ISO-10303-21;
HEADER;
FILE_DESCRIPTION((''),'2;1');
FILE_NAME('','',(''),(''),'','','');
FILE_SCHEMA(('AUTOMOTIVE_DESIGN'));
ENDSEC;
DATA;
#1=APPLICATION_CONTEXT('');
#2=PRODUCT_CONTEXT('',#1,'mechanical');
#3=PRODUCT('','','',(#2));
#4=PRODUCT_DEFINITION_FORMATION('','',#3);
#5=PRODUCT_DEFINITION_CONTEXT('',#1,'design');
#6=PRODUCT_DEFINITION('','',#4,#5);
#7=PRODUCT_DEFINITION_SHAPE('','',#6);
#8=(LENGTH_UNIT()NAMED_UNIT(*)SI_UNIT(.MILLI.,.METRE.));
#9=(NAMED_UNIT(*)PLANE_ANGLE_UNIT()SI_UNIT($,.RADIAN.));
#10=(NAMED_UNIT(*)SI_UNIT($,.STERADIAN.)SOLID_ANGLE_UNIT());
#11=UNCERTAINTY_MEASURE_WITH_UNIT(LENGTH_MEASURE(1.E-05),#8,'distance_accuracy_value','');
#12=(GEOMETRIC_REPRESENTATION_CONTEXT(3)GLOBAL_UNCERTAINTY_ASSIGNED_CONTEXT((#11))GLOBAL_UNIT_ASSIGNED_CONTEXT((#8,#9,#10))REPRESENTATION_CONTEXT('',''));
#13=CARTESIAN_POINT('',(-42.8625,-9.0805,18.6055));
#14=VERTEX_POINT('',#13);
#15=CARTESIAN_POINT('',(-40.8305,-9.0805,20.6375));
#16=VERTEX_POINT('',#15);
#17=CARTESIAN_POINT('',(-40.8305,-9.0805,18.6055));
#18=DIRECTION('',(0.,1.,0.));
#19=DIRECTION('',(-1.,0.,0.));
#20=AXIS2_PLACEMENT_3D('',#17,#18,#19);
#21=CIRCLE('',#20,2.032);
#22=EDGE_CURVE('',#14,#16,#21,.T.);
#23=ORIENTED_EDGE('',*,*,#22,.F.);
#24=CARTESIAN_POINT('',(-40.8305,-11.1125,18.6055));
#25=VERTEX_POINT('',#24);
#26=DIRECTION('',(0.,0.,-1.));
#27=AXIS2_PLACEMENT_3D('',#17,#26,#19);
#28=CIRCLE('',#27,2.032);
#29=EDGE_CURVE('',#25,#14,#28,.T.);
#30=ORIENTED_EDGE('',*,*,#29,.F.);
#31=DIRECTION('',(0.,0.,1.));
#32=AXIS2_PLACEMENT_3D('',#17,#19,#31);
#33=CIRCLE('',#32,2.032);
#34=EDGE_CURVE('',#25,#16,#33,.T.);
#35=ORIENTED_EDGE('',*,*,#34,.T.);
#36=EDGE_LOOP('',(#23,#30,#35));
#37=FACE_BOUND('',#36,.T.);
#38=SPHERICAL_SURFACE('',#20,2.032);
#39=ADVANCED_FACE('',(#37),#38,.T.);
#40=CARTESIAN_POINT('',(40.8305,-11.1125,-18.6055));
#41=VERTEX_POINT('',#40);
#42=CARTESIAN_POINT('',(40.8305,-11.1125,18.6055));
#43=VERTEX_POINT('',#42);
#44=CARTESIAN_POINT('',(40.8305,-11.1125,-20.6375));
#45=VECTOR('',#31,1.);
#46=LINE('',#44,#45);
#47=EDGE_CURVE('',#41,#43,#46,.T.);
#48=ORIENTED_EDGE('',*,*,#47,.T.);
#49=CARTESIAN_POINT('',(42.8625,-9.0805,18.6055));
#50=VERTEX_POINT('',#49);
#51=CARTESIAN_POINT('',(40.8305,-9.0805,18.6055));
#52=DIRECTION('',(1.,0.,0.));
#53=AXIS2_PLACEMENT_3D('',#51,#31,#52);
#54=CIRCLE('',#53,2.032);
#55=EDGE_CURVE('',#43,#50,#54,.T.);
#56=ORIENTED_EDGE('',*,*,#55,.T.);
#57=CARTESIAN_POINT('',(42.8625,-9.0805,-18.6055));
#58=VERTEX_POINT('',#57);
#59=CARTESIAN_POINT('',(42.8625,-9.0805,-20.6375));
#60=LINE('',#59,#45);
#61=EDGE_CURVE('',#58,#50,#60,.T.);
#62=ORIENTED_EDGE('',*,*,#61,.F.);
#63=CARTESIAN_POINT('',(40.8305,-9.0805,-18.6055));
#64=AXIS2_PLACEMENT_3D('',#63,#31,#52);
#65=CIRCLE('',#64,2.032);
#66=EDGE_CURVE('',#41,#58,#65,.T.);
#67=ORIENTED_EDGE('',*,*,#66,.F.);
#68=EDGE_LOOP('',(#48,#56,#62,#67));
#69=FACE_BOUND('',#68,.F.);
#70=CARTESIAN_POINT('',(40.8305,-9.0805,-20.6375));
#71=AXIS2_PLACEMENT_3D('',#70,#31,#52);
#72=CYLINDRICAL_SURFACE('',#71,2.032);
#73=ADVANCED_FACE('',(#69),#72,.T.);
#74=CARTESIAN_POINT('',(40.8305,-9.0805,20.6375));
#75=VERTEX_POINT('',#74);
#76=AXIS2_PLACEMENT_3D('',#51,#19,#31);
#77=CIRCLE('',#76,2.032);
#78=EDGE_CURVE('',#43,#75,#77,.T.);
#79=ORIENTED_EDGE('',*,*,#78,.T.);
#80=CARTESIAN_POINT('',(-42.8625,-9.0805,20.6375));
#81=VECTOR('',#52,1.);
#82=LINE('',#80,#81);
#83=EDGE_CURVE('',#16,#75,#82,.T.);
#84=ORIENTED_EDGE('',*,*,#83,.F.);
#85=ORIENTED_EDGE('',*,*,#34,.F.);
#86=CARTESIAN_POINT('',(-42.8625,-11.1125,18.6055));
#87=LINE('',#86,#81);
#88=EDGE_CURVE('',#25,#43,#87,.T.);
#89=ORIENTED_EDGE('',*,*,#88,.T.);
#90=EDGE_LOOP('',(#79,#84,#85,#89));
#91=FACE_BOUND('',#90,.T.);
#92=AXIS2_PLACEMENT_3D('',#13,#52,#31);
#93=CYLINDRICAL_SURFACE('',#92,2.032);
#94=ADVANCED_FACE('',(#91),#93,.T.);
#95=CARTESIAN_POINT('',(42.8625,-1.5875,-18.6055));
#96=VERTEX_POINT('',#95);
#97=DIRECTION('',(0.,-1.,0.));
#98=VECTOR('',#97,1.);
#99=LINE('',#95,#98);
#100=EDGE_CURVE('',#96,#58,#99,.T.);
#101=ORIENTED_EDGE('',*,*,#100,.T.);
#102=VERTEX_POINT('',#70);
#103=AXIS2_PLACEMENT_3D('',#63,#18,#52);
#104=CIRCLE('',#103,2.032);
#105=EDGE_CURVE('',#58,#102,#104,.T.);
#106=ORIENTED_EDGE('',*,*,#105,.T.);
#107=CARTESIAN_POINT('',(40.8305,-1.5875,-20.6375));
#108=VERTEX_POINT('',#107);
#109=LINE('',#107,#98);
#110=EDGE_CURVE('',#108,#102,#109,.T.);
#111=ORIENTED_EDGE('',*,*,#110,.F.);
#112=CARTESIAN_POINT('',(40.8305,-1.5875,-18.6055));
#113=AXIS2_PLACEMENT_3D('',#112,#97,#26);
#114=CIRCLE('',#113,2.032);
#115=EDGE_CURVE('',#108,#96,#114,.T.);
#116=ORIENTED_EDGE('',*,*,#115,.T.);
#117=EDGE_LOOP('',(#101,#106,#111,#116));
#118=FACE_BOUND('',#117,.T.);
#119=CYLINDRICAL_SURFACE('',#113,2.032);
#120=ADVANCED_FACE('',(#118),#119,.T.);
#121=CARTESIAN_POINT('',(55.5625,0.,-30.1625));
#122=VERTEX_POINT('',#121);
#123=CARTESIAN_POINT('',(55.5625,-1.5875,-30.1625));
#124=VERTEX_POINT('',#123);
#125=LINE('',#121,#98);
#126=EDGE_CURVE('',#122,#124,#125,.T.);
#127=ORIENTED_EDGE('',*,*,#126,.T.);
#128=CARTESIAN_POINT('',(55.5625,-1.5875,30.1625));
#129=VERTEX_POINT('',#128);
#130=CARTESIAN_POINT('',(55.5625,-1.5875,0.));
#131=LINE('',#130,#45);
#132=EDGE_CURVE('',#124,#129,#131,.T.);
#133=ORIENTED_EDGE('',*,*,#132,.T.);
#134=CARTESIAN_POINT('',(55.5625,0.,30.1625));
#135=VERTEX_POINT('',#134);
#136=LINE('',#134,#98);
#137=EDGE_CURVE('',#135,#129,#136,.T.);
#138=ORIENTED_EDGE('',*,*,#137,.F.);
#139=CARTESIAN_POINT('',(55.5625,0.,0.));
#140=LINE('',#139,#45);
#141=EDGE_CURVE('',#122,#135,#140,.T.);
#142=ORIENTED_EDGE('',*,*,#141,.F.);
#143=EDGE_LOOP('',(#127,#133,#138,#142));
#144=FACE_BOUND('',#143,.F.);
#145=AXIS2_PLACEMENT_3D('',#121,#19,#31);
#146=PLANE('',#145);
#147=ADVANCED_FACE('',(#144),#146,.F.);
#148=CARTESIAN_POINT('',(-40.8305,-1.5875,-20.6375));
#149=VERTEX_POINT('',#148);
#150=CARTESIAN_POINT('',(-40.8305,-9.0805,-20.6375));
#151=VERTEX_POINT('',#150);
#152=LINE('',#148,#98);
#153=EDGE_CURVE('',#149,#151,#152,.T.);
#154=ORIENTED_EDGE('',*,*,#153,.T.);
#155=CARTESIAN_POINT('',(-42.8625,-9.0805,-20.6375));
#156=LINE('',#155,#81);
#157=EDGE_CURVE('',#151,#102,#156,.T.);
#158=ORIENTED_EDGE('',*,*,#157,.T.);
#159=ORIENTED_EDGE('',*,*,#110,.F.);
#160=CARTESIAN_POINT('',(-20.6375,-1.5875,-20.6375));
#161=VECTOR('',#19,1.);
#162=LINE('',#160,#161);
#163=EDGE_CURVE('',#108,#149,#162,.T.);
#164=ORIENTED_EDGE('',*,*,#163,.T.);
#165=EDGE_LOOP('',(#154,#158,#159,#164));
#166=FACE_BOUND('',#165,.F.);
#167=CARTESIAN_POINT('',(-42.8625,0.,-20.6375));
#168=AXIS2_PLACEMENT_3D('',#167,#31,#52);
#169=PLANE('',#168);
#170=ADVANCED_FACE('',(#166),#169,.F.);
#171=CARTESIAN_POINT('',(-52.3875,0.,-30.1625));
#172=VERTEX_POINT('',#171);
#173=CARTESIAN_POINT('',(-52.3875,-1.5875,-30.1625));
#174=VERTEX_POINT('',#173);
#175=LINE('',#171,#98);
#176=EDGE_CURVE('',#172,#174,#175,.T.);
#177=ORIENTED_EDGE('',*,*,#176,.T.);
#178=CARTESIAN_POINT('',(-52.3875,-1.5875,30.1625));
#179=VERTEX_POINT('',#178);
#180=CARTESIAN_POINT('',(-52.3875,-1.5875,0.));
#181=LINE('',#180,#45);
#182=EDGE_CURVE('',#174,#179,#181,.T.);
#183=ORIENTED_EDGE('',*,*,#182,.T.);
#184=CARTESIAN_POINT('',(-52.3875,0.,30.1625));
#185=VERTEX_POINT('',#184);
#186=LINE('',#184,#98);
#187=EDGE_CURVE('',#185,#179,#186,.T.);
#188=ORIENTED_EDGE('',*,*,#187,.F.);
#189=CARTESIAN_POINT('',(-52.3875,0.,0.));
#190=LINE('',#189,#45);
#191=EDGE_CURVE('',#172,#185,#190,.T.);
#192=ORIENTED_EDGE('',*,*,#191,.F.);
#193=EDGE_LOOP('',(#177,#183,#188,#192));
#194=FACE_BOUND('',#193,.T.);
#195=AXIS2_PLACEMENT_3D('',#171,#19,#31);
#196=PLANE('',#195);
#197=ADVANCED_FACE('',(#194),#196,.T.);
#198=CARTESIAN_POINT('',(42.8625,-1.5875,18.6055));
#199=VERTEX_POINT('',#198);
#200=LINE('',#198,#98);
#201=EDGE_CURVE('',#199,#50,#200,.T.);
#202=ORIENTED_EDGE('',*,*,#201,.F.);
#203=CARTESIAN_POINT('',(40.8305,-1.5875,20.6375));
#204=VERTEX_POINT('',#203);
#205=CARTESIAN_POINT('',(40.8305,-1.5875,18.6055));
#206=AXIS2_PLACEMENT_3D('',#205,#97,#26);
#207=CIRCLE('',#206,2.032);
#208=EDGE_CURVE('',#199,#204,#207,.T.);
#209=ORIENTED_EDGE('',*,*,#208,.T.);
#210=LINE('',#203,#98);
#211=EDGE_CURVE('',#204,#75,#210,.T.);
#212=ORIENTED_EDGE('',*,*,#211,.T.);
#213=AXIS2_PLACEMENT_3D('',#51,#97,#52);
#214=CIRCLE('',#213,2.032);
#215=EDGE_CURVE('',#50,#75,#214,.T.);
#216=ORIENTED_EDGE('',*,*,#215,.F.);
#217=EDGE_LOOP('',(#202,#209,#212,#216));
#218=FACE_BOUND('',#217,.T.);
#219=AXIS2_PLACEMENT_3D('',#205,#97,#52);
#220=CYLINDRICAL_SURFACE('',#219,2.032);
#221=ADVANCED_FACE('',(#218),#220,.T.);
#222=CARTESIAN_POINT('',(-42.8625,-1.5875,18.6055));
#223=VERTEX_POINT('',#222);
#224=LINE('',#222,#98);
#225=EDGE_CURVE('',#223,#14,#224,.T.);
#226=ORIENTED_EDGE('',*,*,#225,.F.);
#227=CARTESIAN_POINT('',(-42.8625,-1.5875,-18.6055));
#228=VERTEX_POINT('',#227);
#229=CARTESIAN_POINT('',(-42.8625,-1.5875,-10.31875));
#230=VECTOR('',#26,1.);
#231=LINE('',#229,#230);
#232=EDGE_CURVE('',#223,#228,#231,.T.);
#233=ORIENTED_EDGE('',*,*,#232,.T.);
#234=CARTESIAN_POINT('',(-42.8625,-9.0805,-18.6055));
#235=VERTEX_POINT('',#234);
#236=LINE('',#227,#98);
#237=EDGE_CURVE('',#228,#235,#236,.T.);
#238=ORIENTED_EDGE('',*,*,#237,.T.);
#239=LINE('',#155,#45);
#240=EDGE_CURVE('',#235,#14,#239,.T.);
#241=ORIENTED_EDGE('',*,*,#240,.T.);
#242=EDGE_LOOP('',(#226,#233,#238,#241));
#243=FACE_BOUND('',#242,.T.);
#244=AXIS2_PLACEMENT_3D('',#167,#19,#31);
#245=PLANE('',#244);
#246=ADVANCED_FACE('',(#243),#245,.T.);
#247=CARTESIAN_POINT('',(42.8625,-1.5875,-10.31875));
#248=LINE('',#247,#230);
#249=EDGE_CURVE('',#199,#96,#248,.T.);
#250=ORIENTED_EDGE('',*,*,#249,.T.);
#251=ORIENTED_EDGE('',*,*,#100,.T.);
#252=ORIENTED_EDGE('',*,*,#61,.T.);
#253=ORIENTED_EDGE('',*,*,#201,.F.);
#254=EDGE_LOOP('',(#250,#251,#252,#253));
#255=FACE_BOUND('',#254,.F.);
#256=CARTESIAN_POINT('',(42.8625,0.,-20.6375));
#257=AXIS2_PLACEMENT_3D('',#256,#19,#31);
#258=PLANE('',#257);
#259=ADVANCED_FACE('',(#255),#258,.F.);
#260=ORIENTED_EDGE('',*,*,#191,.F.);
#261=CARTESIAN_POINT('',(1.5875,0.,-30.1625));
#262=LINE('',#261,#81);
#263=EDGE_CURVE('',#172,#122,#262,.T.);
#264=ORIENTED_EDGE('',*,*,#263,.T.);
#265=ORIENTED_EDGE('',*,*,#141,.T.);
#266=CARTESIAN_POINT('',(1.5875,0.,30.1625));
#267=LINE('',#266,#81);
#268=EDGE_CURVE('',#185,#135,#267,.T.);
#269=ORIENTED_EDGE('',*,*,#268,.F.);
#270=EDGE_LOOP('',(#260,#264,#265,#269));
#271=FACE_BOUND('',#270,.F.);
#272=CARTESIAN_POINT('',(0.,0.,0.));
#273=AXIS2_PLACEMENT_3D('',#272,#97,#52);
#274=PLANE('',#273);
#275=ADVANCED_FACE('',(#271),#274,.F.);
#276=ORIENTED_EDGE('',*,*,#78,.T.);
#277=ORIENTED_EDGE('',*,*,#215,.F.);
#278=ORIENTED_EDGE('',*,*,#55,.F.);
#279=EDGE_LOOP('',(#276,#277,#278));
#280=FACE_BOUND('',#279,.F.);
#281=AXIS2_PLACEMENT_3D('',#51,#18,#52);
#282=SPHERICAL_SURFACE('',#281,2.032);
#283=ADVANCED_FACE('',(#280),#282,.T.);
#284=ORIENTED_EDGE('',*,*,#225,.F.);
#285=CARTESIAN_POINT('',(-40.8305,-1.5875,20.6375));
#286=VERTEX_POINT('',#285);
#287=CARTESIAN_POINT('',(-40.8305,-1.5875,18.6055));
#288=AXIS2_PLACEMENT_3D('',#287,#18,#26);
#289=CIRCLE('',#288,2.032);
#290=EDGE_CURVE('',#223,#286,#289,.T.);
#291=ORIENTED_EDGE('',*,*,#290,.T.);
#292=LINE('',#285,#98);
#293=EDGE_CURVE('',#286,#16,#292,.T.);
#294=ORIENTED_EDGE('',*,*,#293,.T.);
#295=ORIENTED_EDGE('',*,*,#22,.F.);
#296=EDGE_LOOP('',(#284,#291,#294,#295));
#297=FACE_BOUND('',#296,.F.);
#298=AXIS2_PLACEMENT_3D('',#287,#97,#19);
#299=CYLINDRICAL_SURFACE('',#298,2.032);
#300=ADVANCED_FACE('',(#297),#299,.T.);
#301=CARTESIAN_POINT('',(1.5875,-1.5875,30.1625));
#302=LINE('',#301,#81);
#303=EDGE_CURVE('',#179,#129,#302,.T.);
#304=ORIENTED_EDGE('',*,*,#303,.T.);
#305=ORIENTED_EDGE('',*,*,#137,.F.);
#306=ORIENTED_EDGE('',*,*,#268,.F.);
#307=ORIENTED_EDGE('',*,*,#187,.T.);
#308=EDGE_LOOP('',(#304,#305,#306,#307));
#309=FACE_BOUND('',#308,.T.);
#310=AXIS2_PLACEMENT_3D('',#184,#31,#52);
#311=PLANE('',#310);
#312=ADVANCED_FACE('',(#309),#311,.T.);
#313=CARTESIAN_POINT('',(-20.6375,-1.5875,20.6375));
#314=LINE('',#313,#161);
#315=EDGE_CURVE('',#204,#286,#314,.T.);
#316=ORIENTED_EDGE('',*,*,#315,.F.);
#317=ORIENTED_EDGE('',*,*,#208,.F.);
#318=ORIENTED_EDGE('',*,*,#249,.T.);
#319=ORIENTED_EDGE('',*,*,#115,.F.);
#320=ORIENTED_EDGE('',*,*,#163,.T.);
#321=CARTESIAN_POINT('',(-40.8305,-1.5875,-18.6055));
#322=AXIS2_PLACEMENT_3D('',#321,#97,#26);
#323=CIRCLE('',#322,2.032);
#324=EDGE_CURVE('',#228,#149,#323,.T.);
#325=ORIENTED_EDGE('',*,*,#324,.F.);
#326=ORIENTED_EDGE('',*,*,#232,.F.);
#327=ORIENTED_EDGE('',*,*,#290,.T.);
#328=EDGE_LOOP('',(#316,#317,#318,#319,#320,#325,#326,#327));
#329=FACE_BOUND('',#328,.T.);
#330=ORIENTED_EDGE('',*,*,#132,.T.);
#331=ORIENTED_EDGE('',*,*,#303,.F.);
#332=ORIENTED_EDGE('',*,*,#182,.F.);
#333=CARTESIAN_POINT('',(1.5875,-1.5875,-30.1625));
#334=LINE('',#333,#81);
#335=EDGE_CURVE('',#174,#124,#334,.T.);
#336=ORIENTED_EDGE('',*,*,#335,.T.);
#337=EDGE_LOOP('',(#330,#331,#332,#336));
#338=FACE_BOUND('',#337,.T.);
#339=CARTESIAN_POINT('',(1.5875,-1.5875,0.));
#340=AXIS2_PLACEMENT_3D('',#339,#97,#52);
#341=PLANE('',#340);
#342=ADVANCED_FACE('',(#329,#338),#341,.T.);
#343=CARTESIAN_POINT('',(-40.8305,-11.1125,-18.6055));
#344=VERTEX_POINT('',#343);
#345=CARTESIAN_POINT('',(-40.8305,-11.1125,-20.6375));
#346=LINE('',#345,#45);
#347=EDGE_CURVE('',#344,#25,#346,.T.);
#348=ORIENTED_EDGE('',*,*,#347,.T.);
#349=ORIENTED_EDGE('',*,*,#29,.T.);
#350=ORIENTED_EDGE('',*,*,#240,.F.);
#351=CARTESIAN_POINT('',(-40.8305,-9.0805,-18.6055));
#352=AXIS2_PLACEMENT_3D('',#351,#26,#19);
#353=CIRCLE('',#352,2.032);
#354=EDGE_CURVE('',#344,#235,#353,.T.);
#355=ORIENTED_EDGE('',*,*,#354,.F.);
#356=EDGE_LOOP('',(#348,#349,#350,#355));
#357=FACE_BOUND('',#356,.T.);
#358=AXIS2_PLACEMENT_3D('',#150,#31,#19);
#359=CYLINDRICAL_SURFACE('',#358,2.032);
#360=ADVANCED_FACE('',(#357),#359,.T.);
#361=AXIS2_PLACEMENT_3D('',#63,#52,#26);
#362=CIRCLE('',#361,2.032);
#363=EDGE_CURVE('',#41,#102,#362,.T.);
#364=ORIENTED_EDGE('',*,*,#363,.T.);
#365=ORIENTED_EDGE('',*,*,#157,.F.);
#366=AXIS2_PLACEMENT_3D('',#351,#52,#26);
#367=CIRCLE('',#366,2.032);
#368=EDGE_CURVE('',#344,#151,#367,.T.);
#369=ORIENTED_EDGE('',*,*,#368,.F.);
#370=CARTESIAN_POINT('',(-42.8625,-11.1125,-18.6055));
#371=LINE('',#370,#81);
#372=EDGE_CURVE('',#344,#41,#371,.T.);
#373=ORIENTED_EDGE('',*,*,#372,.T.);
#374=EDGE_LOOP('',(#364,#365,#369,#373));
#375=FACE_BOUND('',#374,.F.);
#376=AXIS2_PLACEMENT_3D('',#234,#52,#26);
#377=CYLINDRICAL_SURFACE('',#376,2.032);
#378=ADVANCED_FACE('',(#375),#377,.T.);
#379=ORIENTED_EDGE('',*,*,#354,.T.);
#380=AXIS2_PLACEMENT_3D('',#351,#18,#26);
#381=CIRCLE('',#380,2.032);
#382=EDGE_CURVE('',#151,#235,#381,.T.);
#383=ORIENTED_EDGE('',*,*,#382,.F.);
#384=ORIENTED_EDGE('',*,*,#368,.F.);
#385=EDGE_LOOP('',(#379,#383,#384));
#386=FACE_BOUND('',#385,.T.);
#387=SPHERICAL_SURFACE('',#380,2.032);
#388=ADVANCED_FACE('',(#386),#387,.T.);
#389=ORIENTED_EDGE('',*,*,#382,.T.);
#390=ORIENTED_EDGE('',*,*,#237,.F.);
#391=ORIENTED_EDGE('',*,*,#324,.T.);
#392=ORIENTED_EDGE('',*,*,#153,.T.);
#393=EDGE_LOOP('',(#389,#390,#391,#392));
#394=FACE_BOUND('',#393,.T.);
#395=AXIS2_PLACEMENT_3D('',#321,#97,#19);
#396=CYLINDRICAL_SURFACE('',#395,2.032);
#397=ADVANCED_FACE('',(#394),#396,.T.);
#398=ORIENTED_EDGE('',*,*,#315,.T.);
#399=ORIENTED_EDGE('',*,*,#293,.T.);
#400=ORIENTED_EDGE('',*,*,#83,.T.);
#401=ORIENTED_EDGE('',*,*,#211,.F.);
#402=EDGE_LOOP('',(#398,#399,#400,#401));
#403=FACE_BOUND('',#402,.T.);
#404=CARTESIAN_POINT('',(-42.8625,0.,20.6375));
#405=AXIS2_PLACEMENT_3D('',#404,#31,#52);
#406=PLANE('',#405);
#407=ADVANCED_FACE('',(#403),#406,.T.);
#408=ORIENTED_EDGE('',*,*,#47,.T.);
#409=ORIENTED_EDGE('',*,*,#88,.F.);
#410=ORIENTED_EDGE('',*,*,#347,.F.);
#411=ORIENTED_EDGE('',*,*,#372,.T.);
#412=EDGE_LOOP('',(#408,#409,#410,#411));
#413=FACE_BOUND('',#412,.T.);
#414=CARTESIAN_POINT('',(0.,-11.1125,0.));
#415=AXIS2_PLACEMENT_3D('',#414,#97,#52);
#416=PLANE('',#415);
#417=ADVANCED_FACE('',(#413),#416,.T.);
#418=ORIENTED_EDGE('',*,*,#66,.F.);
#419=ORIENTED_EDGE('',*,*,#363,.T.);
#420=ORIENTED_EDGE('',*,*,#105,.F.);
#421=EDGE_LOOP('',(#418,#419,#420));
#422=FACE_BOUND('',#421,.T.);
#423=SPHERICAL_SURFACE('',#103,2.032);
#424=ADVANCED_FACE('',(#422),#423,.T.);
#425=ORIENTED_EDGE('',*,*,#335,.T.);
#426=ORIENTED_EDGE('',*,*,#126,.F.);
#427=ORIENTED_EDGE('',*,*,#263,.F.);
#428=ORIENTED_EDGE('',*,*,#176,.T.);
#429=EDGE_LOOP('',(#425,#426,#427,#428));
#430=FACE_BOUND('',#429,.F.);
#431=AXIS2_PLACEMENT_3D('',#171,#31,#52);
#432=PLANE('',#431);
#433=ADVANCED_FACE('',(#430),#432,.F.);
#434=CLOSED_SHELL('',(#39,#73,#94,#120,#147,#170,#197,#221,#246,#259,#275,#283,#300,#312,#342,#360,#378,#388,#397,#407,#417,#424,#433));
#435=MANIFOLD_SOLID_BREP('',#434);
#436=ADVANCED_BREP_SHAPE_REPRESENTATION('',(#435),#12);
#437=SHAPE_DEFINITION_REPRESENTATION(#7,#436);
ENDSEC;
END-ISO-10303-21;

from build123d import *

# Parameters (mm, degrees)
F0_W     = 107.95
F0_H     = 60.325
F0_W_2   = 85.725
F0_H_2   = 41.275
F1_DEPTH = 1.5875
F2_DEPTH = 11.1125
F3_R     = 2.032


with BuildPart() as f1:
    # F0 (on Front) → F1 (new body)
    with BuildSketch(Plane.XZ):
        with Locations((1.5875, 0)):
            Rectangle(F0_W, F0_H)
        Rectangle(F0_W_2, F0_H_2, mode=Mode.SUBTRACT)
        Rectangle(F0_W_2, F0_H_2)
    extrude(amount=F1_DEPTH)

    # F0 (on Front) → F2 (join)
    with BuildSketch(Plane.XZ):
        Rectangle(F0_W_2, F0_H_2)
    extrude(amount=F2_DEPTH)

    # F3
    f3_edges = [f1.edges().sort_by_distance(p)[0] for p in [
        (42.8625, -6.35, 20.6375),
        (-42.8625, -6.35, 20.6375),
        (-42.8625, -6.35, -20.6375),
        (42.8625, -6.35, -20.6375),
        (42.8625, -11.1125, 0),
        (0, -11.1125, -20.6375),
        (-42.8625, -11.1125, 0),
        (0, -11.1125, 20.6375),
    ]]
    fillet(f3_edges, radius=F3_R)


solid = f1.part
